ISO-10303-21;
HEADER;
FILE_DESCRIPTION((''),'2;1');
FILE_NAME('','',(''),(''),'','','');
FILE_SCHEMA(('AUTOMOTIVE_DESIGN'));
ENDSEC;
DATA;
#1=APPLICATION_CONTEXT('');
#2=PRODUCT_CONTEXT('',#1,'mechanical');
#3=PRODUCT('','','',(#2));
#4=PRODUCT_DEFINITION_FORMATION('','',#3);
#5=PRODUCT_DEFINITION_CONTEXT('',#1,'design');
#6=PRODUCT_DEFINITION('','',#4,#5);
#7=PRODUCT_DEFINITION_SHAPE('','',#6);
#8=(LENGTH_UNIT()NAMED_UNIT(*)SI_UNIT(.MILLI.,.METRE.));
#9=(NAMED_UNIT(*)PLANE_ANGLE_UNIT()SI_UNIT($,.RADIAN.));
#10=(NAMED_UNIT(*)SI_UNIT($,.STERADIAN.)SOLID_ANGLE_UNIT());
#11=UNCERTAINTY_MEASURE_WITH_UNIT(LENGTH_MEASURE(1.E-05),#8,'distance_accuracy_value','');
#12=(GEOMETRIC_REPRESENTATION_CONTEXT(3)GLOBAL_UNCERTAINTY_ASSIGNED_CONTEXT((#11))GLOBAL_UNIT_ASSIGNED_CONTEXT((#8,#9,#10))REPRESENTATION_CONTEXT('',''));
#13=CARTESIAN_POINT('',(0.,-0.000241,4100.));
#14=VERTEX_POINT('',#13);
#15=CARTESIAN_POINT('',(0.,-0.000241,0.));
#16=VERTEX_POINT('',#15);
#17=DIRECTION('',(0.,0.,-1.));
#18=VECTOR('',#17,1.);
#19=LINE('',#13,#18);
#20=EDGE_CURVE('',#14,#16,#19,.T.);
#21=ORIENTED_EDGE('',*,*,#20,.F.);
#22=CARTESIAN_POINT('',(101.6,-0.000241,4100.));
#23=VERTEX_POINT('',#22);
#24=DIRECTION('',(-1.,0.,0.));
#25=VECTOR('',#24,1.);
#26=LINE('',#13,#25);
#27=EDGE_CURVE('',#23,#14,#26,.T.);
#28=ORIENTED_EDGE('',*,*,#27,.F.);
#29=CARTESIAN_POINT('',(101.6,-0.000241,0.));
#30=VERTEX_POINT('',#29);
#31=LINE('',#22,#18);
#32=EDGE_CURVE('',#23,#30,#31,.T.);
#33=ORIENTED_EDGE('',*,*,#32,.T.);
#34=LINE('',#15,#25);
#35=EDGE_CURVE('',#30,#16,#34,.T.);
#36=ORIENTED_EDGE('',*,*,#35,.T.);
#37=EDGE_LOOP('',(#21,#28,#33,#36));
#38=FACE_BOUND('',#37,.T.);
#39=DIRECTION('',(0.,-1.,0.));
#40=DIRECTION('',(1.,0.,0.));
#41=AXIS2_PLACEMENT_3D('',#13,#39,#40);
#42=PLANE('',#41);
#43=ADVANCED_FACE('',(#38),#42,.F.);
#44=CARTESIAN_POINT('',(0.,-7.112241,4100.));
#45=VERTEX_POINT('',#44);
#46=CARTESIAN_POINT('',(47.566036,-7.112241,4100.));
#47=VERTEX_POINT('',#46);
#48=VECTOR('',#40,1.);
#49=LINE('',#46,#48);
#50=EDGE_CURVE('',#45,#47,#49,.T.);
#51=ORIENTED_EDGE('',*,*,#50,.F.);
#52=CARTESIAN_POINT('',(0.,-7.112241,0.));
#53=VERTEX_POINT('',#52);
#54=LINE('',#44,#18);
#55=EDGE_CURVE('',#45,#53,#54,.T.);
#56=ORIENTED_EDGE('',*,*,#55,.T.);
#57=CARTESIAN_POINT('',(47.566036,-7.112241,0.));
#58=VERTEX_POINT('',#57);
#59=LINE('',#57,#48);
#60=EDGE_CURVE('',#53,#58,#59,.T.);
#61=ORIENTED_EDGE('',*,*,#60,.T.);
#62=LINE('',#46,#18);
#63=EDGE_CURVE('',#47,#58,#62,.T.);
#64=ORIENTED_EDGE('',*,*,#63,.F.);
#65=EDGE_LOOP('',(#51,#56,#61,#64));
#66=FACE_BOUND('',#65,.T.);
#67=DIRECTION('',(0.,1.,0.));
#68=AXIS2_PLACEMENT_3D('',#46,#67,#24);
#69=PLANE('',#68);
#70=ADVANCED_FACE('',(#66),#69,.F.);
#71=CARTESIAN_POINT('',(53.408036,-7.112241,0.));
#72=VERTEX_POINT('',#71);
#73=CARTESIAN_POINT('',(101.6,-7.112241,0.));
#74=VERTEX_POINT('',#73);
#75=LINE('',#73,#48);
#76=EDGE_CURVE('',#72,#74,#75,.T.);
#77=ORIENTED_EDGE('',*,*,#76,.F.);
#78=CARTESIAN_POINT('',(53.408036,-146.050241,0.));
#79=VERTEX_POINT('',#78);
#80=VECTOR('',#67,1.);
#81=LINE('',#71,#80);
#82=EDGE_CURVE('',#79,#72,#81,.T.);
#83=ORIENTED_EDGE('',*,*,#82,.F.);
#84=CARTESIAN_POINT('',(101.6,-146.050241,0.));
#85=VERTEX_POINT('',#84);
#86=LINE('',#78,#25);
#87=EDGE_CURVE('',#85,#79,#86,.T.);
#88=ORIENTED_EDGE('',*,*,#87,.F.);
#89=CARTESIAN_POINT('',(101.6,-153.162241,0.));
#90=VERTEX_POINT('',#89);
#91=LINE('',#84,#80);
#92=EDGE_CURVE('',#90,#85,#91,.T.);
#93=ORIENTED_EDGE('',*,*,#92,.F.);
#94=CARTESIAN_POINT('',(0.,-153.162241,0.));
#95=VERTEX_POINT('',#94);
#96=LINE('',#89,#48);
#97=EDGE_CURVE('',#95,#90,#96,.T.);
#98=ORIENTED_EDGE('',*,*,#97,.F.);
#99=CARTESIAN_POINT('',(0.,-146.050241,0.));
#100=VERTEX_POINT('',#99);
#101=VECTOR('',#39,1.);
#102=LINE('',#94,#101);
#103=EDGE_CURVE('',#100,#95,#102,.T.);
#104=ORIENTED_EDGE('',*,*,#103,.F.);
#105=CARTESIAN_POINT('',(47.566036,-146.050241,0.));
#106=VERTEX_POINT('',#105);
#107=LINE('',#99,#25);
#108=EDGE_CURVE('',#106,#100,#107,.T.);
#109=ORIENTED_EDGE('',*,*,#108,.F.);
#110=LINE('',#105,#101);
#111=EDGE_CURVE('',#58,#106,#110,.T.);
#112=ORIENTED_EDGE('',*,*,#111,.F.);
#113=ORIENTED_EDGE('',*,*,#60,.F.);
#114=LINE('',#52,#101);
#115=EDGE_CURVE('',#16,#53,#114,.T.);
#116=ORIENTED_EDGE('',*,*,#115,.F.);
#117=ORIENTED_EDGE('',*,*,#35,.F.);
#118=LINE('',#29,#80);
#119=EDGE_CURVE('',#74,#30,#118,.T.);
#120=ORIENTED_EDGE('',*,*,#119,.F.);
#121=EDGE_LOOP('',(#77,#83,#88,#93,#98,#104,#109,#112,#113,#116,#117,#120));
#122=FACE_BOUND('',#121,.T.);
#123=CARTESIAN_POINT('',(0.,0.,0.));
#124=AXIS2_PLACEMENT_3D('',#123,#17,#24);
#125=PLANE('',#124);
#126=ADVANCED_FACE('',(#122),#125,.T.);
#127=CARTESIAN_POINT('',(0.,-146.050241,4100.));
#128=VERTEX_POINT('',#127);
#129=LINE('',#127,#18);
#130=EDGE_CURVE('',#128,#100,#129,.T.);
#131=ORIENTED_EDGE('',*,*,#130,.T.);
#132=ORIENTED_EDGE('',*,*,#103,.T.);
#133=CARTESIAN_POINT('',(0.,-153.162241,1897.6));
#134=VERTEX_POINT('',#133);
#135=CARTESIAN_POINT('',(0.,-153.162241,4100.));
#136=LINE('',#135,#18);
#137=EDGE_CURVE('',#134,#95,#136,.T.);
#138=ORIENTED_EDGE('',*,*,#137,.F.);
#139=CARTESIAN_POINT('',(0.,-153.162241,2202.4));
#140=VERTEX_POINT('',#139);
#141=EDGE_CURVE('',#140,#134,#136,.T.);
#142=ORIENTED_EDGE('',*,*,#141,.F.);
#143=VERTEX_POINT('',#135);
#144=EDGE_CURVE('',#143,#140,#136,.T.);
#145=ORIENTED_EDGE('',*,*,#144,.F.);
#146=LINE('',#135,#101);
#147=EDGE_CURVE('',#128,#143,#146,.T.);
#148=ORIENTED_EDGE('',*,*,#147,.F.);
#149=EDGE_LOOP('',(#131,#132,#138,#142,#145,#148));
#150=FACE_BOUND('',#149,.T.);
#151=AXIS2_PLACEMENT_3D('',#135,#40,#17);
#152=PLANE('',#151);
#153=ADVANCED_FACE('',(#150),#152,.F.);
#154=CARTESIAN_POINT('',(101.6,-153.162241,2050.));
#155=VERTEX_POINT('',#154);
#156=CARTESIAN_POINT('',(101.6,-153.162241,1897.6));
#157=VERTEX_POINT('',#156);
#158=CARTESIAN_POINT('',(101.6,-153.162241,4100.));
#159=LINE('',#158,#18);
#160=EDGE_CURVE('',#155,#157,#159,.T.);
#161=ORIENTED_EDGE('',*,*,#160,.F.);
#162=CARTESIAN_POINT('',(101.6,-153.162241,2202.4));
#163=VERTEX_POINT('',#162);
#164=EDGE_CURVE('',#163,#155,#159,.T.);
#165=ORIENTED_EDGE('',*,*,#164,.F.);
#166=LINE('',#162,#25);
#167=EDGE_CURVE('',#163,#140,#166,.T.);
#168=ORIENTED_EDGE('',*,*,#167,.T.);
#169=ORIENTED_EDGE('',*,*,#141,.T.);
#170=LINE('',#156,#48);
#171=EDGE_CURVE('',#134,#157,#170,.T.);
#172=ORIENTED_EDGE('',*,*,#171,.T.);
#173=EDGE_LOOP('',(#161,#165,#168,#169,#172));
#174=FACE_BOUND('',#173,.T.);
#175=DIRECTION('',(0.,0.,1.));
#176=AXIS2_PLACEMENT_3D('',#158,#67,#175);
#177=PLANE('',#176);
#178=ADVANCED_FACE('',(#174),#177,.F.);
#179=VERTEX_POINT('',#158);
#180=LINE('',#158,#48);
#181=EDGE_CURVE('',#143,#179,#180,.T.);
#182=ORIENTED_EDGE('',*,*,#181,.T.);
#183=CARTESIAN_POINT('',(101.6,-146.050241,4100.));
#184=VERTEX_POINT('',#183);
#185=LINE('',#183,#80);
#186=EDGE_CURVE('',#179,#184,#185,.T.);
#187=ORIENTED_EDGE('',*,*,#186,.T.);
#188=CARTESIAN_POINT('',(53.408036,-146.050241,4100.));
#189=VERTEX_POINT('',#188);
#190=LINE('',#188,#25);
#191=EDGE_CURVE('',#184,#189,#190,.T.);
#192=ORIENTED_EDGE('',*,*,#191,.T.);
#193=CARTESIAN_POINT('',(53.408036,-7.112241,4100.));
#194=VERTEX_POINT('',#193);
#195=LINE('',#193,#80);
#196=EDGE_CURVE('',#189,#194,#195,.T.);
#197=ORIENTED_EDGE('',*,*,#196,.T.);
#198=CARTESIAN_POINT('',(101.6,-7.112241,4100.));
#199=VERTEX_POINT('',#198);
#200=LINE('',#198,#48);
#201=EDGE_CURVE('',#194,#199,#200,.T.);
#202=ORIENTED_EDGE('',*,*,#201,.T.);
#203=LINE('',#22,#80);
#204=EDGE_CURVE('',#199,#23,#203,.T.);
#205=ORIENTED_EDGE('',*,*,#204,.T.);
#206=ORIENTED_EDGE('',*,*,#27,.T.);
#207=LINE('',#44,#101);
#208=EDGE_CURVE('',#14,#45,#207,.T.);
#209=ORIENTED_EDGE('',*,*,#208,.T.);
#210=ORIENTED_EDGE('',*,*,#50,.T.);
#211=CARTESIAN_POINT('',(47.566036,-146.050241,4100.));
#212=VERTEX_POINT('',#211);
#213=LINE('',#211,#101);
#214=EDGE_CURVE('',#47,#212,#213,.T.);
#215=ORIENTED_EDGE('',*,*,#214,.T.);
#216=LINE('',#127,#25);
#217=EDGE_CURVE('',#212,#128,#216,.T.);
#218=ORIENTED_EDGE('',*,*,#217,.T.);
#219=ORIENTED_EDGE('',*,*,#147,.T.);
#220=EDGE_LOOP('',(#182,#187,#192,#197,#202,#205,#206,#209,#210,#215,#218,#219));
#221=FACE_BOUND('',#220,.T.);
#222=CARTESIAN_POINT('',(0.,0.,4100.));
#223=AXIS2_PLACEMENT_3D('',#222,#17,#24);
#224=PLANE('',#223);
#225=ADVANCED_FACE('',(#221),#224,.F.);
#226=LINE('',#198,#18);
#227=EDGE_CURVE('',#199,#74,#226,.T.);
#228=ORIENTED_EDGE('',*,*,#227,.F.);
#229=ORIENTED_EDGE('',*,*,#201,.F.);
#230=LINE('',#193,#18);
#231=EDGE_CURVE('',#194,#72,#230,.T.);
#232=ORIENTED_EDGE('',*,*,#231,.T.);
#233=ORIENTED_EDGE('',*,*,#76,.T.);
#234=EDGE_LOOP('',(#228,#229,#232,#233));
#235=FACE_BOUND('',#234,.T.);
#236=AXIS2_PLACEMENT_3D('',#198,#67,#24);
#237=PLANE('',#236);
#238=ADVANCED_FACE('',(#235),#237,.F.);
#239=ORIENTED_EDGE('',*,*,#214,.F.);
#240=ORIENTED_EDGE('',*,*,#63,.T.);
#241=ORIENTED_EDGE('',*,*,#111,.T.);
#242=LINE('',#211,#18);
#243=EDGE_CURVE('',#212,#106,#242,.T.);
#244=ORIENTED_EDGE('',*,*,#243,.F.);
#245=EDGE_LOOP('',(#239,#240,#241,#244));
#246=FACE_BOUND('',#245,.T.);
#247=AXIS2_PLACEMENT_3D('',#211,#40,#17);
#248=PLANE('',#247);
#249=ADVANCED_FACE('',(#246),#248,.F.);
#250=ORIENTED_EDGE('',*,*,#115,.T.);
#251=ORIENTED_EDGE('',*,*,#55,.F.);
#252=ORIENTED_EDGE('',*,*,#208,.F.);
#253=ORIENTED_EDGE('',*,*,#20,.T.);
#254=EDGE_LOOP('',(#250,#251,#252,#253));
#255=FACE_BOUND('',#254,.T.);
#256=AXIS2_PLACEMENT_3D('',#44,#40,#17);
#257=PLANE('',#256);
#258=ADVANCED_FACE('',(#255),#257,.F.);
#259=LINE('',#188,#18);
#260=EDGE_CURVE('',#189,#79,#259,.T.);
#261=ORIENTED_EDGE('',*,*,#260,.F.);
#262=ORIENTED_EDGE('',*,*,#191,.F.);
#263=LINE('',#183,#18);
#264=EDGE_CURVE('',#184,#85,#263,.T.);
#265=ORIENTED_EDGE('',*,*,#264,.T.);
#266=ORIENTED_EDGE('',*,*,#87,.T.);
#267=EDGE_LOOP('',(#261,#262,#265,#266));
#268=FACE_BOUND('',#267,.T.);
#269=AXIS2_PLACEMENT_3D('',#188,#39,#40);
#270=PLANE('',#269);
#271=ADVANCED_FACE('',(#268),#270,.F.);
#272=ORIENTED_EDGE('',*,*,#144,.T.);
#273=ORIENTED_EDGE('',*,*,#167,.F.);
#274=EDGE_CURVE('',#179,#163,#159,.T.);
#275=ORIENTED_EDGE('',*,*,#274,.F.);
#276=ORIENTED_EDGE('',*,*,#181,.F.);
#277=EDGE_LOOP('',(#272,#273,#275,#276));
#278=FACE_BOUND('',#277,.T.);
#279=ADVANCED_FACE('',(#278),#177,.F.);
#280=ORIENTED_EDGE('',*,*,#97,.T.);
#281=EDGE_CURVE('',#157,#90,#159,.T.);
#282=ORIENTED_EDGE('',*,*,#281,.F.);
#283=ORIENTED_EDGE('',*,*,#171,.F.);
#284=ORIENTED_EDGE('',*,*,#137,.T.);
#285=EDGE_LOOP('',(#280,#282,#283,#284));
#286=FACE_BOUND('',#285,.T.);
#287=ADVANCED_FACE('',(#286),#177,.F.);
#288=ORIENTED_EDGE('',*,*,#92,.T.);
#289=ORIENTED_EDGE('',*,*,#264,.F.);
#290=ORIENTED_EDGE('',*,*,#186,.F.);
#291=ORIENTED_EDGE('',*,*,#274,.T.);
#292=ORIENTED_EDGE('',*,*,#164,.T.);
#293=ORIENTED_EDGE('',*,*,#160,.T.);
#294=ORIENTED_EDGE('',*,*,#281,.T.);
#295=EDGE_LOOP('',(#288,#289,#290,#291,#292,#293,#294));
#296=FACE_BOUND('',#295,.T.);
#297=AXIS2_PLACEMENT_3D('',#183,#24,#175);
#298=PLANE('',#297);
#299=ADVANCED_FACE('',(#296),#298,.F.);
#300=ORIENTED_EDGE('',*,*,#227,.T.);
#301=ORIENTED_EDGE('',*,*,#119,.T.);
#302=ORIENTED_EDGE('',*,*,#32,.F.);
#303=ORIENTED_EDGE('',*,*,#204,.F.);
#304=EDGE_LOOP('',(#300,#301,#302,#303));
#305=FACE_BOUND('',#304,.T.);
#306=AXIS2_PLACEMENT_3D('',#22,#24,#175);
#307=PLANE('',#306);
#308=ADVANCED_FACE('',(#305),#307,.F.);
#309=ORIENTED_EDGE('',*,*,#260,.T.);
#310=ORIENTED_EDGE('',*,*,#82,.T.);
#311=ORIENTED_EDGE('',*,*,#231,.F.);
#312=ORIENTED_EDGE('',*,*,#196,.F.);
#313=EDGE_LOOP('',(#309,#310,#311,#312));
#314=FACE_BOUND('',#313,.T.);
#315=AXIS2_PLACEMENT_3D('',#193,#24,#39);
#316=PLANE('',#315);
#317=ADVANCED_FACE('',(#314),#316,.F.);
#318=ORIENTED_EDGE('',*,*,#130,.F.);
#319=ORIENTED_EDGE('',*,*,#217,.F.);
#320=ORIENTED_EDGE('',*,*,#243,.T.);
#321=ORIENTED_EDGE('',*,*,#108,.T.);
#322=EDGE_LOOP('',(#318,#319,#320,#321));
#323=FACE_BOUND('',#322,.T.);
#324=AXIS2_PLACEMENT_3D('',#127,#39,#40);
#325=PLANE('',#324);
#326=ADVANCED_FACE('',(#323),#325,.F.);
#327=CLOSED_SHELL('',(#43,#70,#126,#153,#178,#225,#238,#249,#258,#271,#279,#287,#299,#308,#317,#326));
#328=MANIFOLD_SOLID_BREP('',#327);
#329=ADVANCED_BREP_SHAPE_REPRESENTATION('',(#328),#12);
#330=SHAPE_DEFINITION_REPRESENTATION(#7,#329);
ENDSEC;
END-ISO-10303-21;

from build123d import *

# Parameters (mm, degrees)
BOSS_EXTRUDE1_DEPTH = 4100


with BuildPart() as part:
    # Sketch1 → Boss-Extrude1 (new body)
    with BuildSketch(Plane.XY):
        Polygon((0, -0.000240533), (101.6, -0.000240533), (101.6, -7.112240533), (53.408035714, -7.112240533), (53.408035714, -146.050240533), (101.6, -146.050240533), (101.6, -153.162240533), (0, -153.162240533), (0, -146.050240533), (47.566035714, -146.050240533), (47.566035714, -7.112240533), (0, -7.112240533), align=None)
    extrude(amount=BOSS_EXTRUDE1_DEPTH)


solid = part.part
